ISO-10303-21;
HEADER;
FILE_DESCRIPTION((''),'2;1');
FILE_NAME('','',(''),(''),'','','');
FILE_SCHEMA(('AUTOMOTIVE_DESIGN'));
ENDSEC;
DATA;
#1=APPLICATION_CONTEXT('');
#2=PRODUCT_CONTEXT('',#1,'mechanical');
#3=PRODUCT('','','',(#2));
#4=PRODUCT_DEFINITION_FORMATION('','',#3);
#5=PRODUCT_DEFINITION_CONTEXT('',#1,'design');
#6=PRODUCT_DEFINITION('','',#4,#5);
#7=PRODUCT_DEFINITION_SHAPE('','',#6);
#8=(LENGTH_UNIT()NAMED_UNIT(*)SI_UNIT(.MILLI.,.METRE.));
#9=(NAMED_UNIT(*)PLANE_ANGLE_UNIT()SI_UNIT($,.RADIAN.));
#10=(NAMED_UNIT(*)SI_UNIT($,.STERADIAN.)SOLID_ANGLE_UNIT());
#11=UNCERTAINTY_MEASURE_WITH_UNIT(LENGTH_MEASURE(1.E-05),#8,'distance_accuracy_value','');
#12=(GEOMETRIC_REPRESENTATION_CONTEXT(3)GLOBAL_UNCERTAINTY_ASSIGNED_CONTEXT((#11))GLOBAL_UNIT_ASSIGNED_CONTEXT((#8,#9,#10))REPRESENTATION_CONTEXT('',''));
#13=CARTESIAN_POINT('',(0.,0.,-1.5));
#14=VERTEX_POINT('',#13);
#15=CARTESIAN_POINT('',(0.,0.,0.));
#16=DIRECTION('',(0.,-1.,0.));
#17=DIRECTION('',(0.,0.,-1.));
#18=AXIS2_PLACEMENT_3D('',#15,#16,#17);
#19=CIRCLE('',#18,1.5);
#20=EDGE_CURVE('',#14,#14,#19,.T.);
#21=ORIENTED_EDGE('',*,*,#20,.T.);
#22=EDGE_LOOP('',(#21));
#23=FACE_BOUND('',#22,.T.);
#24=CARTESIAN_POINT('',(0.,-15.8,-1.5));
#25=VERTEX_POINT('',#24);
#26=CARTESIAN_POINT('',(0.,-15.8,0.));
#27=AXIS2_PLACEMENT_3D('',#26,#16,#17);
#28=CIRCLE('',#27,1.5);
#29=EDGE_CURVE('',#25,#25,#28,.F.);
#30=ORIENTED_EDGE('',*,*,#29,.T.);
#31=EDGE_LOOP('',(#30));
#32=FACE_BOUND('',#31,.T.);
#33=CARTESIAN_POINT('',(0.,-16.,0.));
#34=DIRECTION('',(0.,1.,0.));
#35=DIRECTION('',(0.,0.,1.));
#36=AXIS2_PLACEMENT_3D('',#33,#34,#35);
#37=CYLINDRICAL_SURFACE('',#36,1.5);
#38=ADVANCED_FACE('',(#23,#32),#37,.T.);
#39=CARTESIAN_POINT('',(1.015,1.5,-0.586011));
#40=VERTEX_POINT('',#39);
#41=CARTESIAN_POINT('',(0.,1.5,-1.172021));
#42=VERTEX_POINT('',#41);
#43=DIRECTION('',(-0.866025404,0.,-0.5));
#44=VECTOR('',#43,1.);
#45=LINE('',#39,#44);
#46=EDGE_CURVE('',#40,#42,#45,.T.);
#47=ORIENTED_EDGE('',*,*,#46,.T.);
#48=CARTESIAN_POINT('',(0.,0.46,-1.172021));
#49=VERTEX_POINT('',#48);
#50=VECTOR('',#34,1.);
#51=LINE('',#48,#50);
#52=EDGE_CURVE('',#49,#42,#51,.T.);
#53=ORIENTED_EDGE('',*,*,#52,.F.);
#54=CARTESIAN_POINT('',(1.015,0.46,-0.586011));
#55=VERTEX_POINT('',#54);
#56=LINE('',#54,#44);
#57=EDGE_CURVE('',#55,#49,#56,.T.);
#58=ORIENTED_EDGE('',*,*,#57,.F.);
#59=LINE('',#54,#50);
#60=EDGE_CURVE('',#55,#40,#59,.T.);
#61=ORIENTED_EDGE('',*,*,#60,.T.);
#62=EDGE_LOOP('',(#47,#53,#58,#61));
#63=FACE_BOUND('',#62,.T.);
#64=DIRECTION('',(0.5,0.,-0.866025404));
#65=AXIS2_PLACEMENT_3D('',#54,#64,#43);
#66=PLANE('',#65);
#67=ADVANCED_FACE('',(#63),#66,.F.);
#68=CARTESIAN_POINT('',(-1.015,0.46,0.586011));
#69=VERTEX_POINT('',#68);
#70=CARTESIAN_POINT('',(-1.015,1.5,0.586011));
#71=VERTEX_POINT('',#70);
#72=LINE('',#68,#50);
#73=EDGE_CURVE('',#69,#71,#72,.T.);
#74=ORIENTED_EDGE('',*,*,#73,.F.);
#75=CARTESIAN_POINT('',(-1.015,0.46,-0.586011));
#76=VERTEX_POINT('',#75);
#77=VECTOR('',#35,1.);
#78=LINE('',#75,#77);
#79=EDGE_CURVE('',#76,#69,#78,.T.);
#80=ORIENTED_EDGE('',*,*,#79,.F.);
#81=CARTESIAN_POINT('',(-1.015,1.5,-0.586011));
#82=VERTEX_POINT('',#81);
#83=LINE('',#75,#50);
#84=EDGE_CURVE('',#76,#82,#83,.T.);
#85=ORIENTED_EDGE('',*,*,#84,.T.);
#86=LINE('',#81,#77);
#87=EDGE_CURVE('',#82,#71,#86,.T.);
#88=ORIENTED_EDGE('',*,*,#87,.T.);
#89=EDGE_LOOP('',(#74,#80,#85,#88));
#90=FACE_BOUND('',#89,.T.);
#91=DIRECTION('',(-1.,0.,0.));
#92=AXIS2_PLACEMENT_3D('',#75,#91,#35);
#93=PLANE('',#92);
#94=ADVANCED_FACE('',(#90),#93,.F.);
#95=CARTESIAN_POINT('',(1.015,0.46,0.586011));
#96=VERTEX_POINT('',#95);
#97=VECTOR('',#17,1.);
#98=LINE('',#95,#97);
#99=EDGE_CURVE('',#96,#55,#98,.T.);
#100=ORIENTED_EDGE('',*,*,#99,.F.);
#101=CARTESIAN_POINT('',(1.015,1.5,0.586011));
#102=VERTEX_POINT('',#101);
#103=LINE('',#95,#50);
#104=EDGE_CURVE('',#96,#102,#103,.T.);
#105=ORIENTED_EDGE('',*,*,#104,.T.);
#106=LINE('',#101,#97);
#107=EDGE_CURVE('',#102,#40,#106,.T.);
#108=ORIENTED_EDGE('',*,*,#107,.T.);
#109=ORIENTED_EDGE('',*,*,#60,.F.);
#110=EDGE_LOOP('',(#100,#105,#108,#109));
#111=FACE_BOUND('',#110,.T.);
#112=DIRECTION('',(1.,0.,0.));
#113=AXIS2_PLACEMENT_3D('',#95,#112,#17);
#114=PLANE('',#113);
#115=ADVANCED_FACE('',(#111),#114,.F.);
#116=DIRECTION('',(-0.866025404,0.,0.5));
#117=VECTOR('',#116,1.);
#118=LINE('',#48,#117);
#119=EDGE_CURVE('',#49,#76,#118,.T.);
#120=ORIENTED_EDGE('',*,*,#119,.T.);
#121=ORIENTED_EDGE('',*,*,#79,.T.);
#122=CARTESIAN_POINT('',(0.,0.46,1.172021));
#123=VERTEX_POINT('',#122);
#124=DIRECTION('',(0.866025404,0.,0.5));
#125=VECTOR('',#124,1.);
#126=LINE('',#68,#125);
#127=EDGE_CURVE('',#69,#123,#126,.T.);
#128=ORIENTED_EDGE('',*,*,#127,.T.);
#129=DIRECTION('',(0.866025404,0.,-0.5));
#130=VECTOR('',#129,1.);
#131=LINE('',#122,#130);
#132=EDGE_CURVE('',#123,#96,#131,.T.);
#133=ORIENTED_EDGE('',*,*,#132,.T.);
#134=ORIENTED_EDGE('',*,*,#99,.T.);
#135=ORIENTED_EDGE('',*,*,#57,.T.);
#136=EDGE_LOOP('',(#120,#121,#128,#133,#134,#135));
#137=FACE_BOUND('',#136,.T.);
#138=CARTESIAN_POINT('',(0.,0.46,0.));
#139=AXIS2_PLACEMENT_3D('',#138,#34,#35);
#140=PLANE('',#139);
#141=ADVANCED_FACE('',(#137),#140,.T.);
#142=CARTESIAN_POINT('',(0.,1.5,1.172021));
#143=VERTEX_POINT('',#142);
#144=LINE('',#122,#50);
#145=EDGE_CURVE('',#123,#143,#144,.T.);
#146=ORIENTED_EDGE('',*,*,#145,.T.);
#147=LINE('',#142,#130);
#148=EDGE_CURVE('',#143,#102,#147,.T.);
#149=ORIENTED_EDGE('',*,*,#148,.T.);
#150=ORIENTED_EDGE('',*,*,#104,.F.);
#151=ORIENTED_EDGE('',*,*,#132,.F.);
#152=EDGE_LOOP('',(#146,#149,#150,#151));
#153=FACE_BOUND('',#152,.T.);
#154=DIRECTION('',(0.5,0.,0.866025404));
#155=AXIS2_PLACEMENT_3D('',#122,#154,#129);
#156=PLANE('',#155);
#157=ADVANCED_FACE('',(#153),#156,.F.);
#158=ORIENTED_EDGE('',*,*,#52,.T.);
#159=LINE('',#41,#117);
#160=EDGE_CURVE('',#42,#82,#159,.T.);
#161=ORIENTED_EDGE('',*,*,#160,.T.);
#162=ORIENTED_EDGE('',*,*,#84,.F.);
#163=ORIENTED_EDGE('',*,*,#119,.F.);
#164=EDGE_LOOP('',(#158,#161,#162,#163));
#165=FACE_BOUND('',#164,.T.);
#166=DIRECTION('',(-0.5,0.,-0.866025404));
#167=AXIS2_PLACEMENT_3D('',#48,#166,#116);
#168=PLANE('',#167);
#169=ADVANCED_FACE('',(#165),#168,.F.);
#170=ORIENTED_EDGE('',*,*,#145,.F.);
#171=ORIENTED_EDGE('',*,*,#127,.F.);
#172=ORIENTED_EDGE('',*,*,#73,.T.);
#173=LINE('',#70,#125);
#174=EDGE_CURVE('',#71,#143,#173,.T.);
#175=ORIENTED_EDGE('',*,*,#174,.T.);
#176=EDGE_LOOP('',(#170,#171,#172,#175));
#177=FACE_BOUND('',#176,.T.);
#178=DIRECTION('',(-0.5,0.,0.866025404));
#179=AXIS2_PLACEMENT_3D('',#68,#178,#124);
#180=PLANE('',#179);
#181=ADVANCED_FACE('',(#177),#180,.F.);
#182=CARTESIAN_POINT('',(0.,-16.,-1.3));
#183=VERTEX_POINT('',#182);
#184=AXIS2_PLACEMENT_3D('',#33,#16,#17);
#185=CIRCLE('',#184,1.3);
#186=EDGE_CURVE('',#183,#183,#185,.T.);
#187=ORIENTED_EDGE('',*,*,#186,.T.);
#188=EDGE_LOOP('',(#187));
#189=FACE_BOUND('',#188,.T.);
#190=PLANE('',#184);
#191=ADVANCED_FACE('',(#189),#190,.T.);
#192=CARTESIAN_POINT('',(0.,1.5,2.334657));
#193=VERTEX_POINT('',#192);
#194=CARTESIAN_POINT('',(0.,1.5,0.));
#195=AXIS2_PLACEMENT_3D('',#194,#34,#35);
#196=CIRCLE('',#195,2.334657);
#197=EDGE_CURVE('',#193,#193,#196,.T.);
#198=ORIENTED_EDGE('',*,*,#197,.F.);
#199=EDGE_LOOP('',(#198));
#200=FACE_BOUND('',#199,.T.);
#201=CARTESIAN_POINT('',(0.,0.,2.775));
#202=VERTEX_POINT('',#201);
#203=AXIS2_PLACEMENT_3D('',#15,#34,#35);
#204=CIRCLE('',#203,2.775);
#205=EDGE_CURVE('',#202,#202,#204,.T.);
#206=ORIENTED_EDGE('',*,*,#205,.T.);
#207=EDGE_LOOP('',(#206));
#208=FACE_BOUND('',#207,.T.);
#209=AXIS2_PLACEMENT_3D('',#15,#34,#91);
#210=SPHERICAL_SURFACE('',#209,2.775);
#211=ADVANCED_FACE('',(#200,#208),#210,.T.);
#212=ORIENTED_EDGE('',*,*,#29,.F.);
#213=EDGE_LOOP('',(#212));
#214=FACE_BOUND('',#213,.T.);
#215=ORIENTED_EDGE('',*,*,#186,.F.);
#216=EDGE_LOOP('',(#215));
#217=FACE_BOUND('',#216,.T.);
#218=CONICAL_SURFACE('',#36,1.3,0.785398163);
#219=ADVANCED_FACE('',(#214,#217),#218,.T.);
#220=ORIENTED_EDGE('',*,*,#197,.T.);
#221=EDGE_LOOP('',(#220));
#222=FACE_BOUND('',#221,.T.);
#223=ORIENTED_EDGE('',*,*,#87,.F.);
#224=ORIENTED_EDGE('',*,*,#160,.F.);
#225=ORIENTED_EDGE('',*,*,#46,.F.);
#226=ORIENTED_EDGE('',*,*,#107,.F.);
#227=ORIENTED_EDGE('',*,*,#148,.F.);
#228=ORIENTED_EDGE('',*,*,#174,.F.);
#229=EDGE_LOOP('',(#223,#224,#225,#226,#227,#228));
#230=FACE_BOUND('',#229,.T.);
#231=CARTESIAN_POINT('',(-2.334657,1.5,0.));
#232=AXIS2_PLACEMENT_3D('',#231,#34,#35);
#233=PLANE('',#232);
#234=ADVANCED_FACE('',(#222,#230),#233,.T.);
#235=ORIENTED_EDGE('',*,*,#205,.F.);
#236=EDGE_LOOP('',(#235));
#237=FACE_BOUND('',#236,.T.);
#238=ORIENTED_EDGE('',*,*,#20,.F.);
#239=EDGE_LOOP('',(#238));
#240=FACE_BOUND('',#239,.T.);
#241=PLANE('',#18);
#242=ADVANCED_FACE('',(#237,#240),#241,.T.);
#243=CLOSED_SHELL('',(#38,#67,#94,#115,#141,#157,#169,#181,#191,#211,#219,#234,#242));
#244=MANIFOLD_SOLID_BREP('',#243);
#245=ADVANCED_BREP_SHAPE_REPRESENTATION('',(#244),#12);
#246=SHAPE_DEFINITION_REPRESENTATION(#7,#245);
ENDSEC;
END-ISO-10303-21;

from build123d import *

# Parameters (mm, degrees)
SKETCH_2_R          = 1.5
EXTRUDE_1_DEPTH     = 16
CUT_EXTRUDE_1_DEPTH = 1.04
CHAMFER_1_SIZE      = 0.2


with BuildPart() as part:
    # 草图1 → 旋转1 (revolve)
    with BuildSketch(Plane.XY, mode=Mode.PRIVATE) as revolve_1_sk:
        with BuildLine():
            Line((0, 0), (-2.775, 0))
            ThreePointArc((-2.775, 0), (-2.662639591, 0.78164916), (-2.334657362, 1.5))
            Line((-2.334657362, 1.5), (0, 1.5))
            Line((0, 1.5), (0, 0))
        make_face()
    revolve(revolve_1_sk.sketch.rotate(Axis((0, 5.111773046, 0), (0, -1, 0)), 270), axis=Axis((0, 5.111773046, 0), (0, -1, 0)))

    # 草图2 → 凸台-拉伸1 (add)
    with BuildSketch(Plane.XZ):
        with Locations(Location((0, 0, 0), (0, 0, 270))):
            Circle(SKETCH_2_R)
    extrude(amount=EXTRUDE_1_DEPTH)

    # 草图3 → 切除-拉伸1 (cut)
    with BuildSketch(Plane(origin=(0, 1.5, 0), x_dir=(1, 0, 0), z_dir=(0, 1, 0))):
        Polygon((0, 1.172021046), (-1.015, 0.586010523), (-1.015, -0.586010523), (0, -1.172021046), (1.015, -0.586010523), (1.015, 0.586010523), align=None)
    extrude(amount=-CUT_EXTRUDE_1_DEPTH, mode=Mode.SUBTRACT)

    # 倒角1
    chamfer_1_edges = [part.edges().sort_by_distance(p)[0] for p in [
        (0, -16, 1.5),
    ]]
    chamfer(chamfer_1_edges, length=CHAMFER_1_SIZE)


solid = part.part
